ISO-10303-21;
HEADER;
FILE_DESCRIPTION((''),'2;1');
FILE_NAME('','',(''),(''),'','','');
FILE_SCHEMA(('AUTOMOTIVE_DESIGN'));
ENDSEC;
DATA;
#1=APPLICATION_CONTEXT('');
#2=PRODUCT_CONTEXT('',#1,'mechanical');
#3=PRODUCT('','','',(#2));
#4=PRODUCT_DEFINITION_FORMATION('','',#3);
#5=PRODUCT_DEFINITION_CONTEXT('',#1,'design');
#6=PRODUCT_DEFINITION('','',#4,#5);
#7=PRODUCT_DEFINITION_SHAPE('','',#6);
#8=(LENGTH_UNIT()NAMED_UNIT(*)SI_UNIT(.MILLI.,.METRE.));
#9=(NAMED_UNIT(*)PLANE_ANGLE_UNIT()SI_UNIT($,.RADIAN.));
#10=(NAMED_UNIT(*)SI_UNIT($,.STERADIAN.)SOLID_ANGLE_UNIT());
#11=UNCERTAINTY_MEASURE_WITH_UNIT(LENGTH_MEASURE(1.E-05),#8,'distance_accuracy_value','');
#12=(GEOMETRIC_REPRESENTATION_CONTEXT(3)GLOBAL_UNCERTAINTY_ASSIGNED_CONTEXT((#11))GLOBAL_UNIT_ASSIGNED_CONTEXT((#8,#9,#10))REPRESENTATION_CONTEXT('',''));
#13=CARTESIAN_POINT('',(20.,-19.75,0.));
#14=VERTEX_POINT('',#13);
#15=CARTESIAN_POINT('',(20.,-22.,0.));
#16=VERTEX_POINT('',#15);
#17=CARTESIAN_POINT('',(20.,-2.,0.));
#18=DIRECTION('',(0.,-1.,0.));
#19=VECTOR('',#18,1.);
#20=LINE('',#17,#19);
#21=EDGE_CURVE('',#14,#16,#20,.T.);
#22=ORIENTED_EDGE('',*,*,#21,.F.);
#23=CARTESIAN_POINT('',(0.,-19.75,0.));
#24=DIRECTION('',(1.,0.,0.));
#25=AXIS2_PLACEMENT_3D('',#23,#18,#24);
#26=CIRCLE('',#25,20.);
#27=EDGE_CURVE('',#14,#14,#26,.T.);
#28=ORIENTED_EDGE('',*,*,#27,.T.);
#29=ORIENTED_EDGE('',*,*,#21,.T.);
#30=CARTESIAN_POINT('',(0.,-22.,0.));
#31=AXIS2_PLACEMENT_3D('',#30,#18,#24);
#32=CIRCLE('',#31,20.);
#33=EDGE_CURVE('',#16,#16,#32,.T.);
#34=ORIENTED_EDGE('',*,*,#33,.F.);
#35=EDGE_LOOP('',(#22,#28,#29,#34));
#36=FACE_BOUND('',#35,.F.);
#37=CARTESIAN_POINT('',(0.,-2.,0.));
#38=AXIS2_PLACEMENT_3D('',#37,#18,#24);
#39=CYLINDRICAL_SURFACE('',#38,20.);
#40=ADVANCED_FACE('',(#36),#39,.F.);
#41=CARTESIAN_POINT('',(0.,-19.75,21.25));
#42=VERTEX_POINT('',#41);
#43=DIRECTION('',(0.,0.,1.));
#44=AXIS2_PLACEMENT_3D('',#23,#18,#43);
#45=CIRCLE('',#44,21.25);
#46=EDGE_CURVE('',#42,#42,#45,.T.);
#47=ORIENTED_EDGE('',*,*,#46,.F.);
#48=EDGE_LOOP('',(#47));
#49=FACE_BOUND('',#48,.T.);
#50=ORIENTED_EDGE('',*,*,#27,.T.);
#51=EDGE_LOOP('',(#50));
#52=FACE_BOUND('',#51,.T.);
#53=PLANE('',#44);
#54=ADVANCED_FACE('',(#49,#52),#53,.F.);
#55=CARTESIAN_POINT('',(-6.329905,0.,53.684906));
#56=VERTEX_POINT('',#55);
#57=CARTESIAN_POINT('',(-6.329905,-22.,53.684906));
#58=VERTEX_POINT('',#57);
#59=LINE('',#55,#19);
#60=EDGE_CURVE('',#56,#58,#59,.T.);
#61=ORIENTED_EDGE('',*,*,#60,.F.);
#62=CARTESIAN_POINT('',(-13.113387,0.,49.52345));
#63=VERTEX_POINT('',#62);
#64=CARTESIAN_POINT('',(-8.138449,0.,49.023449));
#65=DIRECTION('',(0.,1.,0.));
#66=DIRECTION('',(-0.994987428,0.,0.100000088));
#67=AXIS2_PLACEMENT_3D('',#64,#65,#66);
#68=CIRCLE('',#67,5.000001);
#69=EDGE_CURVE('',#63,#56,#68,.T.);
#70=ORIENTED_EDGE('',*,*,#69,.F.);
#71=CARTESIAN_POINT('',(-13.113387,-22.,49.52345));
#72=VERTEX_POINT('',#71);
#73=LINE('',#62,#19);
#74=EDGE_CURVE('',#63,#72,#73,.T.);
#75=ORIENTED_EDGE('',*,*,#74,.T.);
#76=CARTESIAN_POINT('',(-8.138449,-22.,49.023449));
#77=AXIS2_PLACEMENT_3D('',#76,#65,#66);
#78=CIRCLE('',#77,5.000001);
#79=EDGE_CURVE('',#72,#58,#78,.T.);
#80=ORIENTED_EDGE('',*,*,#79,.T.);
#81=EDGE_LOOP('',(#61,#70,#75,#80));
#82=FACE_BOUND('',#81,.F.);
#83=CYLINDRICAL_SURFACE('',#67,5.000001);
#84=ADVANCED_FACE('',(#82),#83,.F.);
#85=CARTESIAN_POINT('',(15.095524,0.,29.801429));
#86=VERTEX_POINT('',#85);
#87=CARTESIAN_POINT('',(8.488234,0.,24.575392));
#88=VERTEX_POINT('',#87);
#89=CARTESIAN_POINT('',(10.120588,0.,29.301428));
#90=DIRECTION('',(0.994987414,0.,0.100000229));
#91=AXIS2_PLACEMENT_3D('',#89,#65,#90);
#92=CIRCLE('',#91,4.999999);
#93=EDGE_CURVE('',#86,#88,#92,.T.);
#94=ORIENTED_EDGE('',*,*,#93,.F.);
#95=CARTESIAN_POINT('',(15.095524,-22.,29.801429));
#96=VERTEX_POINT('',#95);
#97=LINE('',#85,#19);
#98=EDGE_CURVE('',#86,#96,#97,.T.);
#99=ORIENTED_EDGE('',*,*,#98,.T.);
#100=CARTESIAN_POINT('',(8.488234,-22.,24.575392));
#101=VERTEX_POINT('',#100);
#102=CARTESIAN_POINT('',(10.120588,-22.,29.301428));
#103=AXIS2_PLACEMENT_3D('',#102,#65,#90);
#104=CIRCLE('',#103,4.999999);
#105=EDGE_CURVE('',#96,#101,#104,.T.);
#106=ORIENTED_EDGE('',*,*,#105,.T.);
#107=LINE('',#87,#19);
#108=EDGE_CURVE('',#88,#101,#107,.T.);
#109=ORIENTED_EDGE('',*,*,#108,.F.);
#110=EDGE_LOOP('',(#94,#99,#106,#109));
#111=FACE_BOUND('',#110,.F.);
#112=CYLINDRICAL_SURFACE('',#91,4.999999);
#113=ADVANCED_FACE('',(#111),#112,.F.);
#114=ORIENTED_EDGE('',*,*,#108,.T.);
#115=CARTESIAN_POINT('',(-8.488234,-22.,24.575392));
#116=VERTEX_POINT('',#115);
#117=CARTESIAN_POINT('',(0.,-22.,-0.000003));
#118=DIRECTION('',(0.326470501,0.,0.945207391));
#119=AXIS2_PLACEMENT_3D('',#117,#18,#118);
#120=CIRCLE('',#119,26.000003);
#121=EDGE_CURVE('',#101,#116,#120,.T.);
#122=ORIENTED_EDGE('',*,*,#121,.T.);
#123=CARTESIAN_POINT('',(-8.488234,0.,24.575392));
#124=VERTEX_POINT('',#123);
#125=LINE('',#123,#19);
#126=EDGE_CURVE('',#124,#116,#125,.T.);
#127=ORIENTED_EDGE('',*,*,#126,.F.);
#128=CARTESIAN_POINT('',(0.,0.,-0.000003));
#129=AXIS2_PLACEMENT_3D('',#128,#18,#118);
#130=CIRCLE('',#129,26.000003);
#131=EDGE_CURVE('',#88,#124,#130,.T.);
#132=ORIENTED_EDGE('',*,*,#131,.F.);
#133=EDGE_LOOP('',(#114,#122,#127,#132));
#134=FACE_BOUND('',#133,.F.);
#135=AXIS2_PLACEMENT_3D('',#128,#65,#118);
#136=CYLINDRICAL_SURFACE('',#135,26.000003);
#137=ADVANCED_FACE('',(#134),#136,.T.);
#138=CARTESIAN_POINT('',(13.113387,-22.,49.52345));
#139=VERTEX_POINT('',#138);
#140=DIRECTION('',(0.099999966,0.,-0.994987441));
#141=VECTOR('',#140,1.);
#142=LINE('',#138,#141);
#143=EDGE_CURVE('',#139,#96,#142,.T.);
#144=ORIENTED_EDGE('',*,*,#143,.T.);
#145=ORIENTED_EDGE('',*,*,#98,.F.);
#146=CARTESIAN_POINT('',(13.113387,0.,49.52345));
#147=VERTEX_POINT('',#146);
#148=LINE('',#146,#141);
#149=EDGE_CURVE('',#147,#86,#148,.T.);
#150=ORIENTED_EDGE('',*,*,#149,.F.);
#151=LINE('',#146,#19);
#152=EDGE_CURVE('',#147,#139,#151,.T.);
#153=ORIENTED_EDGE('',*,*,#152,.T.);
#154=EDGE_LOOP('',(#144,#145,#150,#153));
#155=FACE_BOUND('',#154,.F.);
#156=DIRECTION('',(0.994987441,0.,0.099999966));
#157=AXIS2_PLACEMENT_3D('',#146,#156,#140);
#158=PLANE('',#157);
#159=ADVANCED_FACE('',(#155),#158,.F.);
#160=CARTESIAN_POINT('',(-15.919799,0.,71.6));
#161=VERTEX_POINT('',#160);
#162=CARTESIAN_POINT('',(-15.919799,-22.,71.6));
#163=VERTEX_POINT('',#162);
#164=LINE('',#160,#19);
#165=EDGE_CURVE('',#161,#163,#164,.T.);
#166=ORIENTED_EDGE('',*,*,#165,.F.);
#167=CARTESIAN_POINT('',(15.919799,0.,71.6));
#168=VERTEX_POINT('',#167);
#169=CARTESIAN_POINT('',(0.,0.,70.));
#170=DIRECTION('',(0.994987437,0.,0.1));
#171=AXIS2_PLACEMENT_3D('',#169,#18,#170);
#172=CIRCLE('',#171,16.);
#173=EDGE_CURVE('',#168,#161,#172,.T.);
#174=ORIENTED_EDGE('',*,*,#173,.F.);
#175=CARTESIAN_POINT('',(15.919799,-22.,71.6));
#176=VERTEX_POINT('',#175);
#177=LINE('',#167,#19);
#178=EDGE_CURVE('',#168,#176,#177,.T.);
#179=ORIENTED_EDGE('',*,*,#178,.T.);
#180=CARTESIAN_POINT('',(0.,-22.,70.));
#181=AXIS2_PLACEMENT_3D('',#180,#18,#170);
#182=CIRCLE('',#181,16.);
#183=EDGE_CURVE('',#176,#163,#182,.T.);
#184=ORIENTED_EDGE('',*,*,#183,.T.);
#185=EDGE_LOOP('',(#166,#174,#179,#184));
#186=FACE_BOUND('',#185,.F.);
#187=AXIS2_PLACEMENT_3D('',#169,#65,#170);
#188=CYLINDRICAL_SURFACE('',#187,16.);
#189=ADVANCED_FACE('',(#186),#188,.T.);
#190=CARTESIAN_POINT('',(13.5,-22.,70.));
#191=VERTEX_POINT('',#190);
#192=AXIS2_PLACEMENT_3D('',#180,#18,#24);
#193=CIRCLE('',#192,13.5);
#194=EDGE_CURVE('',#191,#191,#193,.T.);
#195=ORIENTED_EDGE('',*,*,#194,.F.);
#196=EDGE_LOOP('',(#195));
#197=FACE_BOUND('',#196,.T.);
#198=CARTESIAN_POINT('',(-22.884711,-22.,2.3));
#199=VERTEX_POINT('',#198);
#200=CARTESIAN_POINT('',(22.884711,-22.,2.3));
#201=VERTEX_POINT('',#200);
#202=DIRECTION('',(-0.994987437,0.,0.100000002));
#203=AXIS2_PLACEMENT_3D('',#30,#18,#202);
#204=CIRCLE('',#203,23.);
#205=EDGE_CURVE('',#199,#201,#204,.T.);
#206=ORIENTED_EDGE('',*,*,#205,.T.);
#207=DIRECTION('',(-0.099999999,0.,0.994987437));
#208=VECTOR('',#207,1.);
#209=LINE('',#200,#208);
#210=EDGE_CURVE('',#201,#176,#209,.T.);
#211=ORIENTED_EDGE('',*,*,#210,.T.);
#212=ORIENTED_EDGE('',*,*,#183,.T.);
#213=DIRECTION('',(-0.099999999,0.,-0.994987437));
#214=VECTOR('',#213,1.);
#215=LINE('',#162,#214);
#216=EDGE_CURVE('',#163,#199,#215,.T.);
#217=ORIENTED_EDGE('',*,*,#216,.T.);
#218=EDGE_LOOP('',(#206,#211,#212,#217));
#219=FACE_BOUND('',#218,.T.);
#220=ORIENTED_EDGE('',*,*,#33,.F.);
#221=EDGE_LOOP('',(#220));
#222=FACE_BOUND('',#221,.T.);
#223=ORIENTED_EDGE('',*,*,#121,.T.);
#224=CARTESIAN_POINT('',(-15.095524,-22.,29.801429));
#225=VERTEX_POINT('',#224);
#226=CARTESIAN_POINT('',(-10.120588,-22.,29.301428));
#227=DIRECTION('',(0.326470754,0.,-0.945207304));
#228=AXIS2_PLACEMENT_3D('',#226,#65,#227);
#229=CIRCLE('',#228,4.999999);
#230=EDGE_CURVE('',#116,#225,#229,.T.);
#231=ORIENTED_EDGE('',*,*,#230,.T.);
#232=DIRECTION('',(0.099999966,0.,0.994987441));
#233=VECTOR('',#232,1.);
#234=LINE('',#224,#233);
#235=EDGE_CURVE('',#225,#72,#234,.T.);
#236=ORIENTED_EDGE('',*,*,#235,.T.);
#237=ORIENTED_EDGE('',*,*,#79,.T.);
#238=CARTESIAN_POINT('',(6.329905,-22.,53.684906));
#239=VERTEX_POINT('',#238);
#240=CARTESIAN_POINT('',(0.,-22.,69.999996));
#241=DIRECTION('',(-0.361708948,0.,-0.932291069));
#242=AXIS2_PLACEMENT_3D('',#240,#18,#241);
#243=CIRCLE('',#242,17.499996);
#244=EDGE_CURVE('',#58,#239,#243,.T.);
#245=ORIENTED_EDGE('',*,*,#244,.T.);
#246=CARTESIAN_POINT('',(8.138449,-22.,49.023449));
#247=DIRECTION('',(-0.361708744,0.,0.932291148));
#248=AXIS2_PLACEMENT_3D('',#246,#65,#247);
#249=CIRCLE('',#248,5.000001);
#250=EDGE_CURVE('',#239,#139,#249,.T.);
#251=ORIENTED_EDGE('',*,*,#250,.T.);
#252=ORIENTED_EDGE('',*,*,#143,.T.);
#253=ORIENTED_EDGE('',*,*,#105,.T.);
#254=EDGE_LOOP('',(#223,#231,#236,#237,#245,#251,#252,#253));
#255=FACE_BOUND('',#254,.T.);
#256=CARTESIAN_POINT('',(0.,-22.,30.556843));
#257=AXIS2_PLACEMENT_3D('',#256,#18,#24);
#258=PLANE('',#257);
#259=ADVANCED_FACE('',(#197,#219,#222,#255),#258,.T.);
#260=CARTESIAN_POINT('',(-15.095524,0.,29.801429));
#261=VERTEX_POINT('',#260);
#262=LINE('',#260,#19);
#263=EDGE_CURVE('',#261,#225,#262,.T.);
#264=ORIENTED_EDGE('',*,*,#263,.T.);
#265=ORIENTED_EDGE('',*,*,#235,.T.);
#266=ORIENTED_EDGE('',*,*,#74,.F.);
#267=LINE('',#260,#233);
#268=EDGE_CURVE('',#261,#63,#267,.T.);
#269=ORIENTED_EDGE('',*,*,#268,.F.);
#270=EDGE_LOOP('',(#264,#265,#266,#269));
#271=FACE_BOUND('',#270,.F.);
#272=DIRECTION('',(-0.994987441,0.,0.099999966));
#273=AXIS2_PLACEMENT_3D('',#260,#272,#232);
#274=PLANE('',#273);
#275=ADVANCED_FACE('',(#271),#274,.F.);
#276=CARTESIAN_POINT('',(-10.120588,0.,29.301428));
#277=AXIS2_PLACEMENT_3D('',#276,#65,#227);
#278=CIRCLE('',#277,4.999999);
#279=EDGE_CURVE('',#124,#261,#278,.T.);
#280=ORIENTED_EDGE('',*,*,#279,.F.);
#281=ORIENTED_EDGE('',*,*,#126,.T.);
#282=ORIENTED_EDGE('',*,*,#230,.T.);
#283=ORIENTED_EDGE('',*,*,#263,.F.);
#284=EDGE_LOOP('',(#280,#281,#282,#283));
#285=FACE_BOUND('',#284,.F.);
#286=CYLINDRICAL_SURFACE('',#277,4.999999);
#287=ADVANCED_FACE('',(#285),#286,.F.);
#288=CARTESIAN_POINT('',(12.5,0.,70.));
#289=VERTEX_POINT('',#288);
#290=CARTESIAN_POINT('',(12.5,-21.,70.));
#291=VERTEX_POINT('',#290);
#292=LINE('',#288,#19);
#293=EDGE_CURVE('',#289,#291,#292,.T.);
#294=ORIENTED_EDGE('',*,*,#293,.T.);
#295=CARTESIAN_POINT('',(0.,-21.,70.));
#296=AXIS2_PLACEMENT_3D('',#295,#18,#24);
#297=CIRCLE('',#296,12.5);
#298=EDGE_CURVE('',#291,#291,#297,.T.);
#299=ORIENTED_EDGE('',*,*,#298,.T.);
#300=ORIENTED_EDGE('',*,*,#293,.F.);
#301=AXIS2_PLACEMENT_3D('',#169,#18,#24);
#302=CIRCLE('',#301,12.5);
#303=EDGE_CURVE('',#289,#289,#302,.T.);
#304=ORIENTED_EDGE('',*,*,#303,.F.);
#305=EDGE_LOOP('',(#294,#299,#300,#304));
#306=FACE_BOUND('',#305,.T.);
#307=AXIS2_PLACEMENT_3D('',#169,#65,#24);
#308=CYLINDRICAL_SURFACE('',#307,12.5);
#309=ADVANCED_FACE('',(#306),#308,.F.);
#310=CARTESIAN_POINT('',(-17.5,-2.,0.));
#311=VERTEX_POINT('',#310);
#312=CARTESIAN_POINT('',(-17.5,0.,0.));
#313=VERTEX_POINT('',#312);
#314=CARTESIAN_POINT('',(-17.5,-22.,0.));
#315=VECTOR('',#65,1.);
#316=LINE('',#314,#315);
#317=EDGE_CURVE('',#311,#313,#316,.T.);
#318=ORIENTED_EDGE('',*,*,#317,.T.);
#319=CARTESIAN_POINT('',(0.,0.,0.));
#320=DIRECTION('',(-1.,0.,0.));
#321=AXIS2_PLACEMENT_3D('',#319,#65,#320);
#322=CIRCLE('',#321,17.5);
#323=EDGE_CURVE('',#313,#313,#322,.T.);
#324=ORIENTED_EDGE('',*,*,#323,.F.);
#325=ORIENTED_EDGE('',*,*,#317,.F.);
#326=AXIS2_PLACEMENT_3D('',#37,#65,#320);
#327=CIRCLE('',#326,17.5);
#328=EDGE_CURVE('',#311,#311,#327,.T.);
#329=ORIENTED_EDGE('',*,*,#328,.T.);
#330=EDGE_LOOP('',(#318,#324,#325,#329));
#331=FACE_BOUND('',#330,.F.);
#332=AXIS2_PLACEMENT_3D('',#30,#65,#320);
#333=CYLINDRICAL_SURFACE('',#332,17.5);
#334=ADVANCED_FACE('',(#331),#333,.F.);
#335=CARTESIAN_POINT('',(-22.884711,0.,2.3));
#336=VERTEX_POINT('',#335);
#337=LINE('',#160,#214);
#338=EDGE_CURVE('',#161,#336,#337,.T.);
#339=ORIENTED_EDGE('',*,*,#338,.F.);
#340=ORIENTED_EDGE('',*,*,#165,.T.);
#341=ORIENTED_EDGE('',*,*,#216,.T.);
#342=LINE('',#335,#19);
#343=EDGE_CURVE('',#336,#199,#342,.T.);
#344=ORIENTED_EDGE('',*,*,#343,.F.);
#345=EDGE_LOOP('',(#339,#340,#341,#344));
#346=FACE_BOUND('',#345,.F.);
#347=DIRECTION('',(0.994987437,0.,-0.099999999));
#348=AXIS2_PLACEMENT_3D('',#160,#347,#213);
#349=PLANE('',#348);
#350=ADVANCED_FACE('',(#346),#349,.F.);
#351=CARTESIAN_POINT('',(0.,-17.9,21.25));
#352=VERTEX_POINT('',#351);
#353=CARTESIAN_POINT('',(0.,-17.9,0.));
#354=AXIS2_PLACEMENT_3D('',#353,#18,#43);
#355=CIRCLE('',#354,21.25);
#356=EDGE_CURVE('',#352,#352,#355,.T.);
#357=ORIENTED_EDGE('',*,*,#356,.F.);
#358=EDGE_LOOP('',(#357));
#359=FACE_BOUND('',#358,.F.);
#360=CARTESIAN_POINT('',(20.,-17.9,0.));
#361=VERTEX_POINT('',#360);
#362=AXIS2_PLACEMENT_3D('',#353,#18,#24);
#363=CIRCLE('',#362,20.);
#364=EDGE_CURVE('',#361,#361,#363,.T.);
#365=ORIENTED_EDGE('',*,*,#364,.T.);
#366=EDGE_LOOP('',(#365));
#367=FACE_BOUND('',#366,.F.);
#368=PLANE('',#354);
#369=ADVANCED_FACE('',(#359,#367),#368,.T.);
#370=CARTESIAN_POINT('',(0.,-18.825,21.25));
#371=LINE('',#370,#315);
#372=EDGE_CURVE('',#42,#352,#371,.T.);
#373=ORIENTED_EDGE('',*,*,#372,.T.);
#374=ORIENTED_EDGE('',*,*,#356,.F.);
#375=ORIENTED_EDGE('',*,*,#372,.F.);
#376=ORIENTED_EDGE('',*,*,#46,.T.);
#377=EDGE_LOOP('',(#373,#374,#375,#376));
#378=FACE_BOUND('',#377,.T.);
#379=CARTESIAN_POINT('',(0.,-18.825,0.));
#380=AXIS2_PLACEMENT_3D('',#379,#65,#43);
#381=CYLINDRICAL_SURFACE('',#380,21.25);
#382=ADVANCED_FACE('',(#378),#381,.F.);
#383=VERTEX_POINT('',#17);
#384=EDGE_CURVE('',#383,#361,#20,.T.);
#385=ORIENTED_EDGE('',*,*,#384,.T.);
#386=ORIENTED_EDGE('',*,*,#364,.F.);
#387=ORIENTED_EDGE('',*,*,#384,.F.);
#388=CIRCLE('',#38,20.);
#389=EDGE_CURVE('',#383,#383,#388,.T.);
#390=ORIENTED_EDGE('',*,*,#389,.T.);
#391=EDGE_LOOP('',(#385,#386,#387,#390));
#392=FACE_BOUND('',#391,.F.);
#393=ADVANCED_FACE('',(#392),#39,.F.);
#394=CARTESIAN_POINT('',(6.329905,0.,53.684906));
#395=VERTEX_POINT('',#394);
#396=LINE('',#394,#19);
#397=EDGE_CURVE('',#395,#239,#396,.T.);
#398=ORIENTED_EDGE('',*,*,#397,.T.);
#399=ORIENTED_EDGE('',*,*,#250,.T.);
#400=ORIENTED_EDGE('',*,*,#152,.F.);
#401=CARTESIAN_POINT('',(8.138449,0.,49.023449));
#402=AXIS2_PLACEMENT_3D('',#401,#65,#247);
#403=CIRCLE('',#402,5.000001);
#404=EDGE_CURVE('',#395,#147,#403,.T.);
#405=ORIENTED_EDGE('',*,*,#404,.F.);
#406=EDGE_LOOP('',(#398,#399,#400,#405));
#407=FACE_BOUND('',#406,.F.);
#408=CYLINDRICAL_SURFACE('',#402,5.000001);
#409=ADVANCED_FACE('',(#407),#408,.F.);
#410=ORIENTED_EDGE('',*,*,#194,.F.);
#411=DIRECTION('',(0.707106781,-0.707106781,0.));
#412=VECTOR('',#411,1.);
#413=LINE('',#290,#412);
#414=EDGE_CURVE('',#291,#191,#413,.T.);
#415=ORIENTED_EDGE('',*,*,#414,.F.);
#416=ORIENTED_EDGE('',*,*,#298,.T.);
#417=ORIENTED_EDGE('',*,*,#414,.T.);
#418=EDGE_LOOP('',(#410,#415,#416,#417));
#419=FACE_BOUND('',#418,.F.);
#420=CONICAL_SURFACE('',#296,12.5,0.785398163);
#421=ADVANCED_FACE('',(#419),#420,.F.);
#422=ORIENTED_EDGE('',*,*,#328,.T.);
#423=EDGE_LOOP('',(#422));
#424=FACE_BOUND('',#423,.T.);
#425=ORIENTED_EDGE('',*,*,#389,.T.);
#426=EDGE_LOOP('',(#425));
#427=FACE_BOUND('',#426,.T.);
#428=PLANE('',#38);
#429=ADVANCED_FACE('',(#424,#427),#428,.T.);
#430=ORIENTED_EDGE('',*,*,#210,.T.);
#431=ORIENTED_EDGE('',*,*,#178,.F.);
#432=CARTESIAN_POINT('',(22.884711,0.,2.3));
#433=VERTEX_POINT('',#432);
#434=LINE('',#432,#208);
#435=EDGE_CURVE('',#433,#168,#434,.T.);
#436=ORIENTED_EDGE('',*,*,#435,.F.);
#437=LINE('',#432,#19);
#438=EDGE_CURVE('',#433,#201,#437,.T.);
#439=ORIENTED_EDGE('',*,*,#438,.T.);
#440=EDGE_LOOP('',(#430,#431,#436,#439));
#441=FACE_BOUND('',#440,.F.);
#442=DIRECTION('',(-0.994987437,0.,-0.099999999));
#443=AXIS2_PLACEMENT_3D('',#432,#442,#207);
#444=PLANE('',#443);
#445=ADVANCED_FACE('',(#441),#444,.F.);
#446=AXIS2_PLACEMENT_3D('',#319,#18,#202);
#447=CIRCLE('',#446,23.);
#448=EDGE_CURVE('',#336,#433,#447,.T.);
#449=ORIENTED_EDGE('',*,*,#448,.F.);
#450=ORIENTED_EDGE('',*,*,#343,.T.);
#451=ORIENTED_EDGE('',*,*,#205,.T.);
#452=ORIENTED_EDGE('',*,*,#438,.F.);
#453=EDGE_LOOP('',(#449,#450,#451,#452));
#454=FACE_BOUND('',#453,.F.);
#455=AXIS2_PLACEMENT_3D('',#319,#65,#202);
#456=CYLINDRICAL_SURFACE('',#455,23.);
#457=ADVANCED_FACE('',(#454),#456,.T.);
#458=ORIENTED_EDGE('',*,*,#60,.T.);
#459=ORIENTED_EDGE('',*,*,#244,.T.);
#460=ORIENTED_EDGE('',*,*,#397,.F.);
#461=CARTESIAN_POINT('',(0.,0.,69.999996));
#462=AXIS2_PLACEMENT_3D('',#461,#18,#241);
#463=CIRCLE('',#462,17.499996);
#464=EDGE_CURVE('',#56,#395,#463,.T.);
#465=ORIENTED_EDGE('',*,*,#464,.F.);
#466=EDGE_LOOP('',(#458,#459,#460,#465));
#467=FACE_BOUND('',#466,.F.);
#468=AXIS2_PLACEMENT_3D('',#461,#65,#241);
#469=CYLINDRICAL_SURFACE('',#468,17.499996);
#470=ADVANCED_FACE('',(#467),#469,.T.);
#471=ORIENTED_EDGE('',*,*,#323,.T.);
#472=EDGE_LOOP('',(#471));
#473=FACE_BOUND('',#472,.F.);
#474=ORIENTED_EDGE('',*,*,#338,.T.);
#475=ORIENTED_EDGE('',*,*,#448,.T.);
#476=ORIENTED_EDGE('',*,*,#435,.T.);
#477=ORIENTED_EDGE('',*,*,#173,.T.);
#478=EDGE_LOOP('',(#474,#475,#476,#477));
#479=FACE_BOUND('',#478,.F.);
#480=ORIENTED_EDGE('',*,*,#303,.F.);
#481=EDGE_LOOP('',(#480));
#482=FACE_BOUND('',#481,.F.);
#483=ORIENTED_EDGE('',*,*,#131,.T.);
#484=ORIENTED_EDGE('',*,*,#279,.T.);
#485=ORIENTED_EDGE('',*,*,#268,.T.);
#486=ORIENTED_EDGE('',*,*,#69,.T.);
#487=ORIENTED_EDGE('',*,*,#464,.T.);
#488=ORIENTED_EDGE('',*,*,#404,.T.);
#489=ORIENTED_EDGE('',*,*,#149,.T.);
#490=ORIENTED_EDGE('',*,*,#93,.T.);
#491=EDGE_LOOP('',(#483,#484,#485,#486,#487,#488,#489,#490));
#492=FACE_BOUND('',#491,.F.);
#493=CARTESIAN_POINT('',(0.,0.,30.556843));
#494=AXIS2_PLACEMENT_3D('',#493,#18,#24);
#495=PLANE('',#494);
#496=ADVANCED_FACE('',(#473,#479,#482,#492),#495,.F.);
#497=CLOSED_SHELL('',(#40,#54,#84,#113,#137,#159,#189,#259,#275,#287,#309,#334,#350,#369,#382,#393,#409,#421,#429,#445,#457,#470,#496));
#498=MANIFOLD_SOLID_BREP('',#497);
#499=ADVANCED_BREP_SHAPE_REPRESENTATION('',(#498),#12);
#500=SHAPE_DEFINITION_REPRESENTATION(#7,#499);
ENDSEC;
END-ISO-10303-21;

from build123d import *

# Parameters (mm, degrees)
F0_R           = 12.5
F1_DEPTH       = 22
F2_SIZE        = 1
F4_D           = 35
F4_CBORE_D     = 40
F4_CBORE_DEPTH = 20
F5_W           = 1.85
F5_H           = 21.25


with BuildPart() as f1:
    # F0 (on Front) → F1 (new body)
    with BuildSketch(Plane.XZ):
        with BuildLine():
            Line((-15.919799, 71.6), (-22.884711, 2.3))
            ThreePointArc((-22.884711, 2.3), (0, -23), (22.884711, 2.3))
            Line((22.884711, 2.3), (15.919799, 71.6))
            ThreePointArc((15.919799, 71.6), (0, 86), (-15.919799, 71.6))
        make_face()
        with BuildLine():
            ThreePointArc((-13.113387, 49.52345), (-10.753012, 53.285382), (-6.329905, 53.684906))
            ThreePointArc((-6.329905, 53.684906), (0, 52.5), (6.329905, 53.684906))
            ThreePointArc((6.329905, 53.684906), (10.753012, 53.285382), (13.113387, 49.52345))
            Line((13.113387, 49.52345), (15.095524, 29.801429))
            ThreePointArc((15.095524, 29.801429), (13.222374, 25.379832), (8.488234, 24.575392))
            ThreePointArc((8.488234, 24.575392), (0, 26), (-8.488234, 24.575392))
            ThreePointArc((-8.488234, 24.575392), (-13.222374, 25.379832), (-15.095524, 29.801429))
            Line((-15.095524, 29.801429), (-13.113387, 49.52345))
        make_face(mode=Mode.SUBTRACT)
        with Locations((0, 70)):
            Circle(F0_R, mode=Mode.SUBTRACT)
    extrude(amount=F1_DEPTH)

    # F2
    f2_edges = [f1.edges().sort_by_distance(p)[0] for p in [
        (-12.5, -22, 70),
    ]]
    chamfer(f2_edges, length=F2_SIZE)

    # F4 (through all)
    with Locations(Plane.XZ.offset(22)):
        with Locations((0, 0)):
            CounterBoreHole(F4_D / 2, F4_CBORE_D / 2, F4_CBORE_DEPTH)

    # F5 (on Right) → F6 (revolve, cut)
    with BuildSketch(Plane.YZ):
        with Locations((-18.825, 10.625)):
            Rectangle(F5_W, F5_H)
    revolve(axis=Axis((0, -18.825, 0), (0, -1, 0)), mode=Mode.SUBTRACT)


solid = f1.part
